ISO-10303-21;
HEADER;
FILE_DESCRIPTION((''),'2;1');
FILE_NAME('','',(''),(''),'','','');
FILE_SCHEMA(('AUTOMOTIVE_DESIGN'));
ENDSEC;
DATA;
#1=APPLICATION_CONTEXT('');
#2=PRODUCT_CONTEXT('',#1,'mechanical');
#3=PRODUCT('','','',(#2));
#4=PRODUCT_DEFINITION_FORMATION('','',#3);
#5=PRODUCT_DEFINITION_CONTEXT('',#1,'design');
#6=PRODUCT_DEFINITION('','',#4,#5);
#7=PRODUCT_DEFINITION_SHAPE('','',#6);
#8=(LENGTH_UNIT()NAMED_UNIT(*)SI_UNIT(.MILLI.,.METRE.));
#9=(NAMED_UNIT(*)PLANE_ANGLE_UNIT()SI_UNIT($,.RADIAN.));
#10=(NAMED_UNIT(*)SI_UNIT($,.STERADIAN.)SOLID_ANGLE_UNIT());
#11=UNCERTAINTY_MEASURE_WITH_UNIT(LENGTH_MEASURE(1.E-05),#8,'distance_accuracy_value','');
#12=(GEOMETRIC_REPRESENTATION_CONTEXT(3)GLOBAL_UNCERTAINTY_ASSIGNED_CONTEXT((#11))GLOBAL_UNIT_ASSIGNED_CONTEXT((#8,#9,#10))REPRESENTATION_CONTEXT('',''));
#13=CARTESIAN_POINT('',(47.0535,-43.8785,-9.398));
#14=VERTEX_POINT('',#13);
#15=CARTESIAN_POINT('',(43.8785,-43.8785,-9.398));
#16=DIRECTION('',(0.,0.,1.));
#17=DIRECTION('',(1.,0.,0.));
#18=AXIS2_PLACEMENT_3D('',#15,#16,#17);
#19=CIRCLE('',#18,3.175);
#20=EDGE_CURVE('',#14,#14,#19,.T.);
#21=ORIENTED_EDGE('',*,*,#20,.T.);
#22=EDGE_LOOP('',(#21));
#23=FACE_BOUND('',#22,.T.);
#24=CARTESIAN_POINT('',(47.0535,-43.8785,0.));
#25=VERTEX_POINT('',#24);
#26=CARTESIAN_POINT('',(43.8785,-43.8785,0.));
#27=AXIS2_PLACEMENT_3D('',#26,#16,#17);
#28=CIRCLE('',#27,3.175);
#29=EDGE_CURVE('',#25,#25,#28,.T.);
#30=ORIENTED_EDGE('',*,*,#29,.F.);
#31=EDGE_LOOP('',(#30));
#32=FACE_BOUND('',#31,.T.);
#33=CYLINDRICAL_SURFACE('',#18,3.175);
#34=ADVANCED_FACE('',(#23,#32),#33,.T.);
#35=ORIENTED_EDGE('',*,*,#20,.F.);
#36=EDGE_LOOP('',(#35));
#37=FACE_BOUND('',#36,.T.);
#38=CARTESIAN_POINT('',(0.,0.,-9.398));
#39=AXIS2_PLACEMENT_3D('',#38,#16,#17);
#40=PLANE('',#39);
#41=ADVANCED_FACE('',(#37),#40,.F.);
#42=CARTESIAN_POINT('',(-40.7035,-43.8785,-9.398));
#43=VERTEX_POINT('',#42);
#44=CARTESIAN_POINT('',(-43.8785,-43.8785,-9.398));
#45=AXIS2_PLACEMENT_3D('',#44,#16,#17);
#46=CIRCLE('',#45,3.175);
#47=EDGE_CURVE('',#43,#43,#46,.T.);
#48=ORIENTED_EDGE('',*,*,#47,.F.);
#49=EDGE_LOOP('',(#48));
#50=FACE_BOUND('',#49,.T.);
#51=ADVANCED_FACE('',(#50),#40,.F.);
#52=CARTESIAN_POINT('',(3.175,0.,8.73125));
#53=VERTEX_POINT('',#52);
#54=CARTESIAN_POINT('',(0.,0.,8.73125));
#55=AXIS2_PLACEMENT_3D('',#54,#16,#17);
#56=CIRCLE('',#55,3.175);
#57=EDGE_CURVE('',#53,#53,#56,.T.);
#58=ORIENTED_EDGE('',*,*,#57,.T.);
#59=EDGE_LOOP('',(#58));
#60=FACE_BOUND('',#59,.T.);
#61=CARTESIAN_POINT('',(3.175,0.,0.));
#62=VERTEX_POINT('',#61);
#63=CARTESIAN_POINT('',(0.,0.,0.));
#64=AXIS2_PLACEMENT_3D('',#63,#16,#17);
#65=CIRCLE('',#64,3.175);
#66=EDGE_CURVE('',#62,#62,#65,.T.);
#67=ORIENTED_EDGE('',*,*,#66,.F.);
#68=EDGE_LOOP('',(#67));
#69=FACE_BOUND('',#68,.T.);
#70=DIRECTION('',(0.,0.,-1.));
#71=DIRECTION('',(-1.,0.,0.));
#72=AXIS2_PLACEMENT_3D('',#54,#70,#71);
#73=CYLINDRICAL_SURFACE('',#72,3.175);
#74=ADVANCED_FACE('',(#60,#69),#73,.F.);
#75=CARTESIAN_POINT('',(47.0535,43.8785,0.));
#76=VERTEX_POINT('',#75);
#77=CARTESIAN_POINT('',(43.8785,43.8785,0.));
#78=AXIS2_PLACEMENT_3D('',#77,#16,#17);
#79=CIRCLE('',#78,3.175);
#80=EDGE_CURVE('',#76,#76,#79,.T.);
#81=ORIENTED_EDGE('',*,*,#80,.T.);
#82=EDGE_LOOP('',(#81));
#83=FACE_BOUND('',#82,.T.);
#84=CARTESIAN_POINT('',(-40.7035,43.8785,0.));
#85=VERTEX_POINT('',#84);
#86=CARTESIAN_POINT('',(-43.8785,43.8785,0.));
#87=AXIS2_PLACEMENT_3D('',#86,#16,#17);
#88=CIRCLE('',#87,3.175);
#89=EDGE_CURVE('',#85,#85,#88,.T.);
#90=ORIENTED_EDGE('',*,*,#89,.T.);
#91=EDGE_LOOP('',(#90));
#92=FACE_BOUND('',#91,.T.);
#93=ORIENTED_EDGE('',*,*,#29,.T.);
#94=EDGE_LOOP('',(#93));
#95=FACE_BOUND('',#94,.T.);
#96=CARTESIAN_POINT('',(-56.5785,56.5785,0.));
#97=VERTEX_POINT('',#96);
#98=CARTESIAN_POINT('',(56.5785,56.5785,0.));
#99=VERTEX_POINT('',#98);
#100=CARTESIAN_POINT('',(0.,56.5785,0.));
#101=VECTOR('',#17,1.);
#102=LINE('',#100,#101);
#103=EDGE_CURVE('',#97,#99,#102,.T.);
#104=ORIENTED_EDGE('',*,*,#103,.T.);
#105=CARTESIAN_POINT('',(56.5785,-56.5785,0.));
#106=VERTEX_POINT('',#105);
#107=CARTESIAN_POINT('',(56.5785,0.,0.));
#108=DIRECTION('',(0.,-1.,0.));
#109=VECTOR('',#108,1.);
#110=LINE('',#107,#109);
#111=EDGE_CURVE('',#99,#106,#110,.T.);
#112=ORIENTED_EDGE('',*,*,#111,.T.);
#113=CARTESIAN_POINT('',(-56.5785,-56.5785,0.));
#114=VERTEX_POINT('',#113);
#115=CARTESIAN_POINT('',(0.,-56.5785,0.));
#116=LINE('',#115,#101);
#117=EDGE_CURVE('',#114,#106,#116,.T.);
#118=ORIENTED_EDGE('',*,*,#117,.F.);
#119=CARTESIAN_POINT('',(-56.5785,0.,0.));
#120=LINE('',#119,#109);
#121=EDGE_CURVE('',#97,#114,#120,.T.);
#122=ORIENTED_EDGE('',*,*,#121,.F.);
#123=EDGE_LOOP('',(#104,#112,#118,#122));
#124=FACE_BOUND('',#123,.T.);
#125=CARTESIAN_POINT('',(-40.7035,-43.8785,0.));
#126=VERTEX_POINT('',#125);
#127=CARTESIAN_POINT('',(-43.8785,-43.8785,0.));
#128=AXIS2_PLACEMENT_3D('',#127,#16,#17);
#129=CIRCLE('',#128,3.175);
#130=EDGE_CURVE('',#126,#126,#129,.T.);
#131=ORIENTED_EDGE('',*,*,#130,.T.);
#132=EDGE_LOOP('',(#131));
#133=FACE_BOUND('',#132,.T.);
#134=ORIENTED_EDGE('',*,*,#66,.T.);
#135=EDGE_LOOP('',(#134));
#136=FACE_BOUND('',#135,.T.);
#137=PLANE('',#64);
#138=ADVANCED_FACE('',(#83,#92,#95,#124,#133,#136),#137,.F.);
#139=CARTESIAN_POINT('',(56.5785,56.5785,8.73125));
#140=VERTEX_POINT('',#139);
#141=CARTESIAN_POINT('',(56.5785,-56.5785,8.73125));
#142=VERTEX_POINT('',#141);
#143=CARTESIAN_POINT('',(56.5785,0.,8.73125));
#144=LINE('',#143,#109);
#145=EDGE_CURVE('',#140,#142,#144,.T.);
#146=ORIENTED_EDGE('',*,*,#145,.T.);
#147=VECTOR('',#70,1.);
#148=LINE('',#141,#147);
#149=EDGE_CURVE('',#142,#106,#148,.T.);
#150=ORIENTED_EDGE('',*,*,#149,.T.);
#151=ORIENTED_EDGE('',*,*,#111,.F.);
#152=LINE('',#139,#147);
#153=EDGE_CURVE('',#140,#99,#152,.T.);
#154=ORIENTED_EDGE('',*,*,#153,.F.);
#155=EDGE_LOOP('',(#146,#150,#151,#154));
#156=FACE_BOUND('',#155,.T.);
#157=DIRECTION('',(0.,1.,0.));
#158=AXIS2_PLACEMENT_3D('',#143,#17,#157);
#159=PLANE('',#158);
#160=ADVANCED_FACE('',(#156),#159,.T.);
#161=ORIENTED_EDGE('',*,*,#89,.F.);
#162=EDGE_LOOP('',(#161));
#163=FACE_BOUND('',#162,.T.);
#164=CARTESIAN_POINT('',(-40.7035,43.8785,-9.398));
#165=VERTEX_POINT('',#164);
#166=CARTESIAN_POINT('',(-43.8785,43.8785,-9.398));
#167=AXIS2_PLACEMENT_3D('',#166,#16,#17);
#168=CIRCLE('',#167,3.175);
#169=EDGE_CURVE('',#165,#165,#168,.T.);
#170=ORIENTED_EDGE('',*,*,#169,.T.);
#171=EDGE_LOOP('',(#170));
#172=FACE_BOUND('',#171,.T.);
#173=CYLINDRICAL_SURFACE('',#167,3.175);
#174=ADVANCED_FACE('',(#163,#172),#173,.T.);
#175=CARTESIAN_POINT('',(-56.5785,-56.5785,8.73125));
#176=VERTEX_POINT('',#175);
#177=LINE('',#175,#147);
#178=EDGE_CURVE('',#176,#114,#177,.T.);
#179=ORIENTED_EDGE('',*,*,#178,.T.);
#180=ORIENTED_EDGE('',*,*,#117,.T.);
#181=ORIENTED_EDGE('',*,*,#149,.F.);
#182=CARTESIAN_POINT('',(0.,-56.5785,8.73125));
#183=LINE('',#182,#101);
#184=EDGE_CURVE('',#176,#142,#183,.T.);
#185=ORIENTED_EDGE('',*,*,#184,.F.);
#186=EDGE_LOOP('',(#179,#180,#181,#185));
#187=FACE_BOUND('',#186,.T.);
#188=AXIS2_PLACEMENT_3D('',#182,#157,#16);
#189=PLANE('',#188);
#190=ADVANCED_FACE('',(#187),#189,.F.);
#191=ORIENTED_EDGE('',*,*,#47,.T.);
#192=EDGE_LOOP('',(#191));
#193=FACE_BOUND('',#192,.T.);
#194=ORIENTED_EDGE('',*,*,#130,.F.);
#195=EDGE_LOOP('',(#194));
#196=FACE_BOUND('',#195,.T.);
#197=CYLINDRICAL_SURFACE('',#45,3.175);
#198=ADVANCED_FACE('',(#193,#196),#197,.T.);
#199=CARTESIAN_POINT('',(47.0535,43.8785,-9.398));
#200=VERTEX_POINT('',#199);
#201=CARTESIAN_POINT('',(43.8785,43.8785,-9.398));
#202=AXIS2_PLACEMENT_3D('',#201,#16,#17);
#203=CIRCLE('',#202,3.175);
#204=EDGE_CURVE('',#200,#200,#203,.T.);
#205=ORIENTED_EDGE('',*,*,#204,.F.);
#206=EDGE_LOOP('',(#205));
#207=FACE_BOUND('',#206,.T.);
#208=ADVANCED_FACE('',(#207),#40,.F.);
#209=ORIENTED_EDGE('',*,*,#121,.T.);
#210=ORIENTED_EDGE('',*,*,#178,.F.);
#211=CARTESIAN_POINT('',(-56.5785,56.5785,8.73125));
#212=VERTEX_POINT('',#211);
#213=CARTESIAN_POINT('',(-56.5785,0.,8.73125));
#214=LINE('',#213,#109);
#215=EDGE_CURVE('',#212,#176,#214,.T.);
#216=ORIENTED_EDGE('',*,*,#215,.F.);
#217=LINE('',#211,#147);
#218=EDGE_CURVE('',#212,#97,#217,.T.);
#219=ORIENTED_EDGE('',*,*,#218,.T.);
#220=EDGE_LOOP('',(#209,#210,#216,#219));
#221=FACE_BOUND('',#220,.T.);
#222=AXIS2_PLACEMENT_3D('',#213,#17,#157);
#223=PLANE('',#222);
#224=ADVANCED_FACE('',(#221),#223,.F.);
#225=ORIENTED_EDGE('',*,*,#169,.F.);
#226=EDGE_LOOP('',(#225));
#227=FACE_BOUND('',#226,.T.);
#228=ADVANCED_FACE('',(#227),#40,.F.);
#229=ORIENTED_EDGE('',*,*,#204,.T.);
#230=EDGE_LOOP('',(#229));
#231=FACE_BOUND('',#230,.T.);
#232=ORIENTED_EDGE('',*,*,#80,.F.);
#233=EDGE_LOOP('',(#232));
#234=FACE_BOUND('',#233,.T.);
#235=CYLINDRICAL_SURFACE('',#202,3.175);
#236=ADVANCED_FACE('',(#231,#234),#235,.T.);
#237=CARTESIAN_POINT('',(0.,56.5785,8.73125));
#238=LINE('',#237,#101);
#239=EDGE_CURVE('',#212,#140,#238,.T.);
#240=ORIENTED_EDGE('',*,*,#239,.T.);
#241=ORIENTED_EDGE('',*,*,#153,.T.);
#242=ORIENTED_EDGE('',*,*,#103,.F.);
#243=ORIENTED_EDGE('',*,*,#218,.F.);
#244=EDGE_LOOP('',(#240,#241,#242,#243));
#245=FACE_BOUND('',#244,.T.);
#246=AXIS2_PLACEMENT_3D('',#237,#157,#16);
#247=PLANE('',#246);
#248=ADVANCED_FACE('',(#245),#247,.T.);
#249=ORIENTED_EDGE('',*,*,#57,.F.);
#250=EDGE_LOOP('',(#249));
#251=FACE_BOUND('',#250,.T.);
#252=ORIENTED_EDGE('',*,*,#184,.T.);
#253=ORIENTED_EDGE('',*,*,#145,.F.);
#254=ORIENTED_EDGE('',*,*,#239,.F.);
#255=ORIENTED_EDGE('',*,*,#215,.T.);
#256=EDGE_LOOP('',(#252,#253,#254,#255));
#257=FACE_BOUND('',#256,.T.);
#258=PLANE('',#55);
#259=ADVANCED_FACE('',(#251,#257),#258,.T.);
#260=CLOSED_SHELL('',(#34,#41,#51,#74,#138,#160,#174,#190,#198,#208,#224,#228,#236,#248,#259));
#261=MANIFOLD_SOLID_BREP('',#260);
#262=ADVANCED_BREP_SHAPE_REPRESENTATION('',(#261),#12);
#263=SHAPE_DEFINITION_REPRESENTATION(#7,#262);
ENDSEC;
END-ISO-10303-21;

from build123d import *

# Parameters (mm, degrees)
SKETCH1_W           = 113.157
SKETCH1_H           = 113.157
SKETCH1_R           = 3.175
BOSS_EXTRUDE1_DEPTH = 8.73125
SKETCH1_5_R         = 3.175
BOSS_EXTRUDE4_DEPTH = 9.398


with BuildPart() as part:
    # Sketch1 → Boss-Extrude1 (new body)
    with BuildSketch(Plane.XY):
        Rectangle(SKETCH1_W, SKETCH1_H)
        Circle(SKETCH1_R, mode=Mode.SUBTRACT)
    extrude(amount=BOSS_EXTRUDE1_DEPTH)

    # Sketch1<5> → Boss-Extrude4 (add)
    with BuildSketch(Plane.XY):
        with Locations((-43.8785, 43.8785)):
            Circle(SKETCH1_5_R)
        with Locations((43.8785, 43.8785)):
            Circle(SKETCH1_5_R)
        with Locations((43.8785, -43.8785)):
            Circle(SKETCH1_5_R)
        with Locations((-43.8785, -43.8785)):
            Circle(SKETCH1_5_R)
    extrude(amount=-BOSS_EXTRUDE4_DEPTH)


solid = part.part
